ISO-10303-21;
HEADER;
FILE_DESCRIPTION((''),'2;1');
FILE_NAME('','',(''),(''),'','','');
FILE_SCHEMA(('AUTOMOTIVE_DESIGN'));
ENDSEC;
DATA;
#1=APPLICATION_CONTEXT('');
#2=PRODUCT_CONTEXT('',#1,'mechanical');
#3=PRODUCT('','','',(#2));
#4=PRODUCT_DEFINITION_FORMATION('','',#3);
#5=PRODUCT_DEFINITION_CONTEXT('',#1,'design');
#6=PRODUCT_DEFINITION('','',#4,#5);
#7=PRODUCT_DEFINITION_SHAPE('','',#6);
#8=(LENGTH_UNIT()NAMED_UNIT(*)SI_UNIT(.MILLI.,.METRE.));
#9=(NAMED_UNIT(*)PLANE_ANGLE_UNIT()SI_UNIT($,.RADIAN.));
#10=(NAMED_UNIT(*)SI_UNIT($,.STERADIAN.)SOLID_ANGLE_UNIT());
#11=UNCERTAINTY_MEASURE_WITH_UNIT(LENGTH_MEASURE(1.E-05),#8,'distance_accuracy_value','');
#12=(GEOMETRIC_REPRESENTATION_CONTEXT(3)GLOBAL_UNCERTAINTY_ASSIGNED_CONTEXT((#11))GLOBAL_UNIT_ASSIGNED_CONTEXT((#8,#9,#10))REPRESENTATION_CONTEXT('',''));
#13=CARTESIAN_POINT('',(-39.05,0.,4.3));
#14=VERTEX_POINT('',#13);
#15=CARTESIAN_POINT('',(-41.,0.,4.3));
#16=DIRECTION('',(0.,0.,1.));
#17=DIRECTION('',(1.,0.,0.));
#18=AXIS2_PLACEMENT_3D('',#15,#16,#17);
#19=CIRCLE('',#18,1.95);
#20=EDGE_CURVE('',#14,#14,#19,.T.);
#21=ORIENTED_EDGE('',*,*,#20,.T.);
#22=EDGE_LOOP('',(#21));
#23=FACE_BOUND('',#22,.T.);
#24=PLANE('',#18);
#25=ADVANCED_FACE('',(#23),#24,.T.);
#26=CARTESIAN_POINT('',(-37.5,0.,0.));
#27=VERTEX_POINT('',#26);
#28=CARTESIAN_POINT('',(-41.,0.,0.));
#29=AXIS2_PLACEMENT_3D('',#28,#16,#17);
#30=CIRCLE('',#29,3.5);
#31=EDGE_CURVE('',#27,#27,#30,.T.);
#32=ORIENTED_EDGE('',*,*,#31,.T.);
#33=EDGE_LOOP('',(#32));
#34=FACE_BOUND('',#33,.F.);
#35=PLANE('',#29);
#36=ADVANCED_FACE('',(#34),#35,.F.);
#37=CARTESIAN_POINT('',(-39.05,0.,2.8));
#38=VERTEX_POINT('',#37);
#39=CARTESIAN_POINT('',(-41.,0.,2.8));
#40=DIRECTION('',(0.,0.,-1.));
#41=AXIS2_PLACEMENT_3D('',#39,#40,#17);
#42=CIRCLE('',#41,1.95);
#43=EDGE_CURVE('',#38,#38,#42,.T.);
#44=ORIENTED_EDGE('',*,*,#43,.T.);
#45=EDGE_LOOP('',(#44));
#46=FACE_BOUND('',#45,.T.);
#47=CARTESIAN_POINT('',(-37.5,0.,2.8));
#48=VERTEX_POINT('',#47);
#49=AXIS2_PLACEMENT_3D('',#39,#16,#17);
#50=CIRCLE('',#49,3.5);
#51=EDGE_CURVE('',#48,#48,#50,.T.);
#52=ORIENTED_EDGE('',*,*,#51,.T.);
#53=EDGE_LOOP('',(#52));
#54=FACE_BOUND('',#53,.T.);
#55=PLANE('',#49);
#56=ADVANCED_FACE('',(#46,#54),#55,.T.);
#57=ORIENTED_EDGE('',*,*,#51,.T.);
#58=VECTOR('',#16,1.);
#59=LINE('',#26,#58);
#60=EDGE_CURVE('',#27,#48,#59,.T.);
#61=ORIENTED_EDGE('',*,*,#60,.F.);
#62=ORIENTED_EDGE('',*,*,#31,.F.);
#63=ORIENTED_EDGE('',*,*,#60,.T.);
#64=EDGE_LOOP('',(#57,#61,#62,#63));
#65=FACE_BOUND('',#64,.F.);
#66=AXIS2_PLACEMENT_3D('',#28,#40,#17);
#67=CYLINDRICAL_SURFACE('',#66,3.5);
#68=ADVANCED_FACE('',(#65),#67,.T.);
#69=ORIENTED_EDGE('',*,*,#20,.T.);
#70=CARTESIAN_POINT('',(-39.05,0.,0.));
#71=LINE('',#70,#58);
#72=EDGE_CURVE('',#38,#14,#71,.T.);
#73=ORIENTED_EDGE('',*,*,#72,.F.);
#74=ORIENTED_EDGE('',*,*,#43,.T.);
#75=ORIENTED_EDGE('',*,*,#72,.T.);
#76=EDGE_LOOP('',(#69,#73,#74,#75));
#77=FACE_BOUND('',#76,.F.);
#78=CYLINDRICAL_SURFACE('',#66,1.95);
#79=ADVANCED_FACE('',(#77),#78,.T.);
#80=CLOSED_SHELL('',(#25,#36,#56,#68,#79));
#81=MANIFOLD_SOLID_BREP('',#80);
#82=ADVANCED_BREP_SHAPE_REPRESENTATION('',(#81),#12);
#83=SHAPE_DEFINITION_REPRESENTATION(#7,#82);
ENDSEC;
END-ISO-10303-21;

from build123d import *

# Parameters (mm, degrees)
CYLINDER005_R     = 1.95
CYLINDER005_DEPTH = 4.3
CYLINDER006_R     = 3.5
CYLINDER006_DEPTH = 2.8


with BuildPart() as cylinder005:
    # Cylinder005 → Cylinder005 (new body)
    with BuildSketch(Plane.XY):
        Circle(CYLINDER005_R)
    extrude(amount=CYLINDER005_DEPTH)


with BuildPart() as pituto:
    # Cylinder006 → Cylinder006 (new body)
    with BuildSketch(Plane.XY):
        Circle(CYLINDER006_R)
    extrude(amount=CYLINDER006_DEPTH)

    # Fusion002: union Cylinder005
    add(cylinder005.part)


with BuildPart() as pituto_1:
    # Fusion002 placement: moved
    add(pituto.part.moved(Location((-41, 0, 0))))


solid = pituto_1.part
